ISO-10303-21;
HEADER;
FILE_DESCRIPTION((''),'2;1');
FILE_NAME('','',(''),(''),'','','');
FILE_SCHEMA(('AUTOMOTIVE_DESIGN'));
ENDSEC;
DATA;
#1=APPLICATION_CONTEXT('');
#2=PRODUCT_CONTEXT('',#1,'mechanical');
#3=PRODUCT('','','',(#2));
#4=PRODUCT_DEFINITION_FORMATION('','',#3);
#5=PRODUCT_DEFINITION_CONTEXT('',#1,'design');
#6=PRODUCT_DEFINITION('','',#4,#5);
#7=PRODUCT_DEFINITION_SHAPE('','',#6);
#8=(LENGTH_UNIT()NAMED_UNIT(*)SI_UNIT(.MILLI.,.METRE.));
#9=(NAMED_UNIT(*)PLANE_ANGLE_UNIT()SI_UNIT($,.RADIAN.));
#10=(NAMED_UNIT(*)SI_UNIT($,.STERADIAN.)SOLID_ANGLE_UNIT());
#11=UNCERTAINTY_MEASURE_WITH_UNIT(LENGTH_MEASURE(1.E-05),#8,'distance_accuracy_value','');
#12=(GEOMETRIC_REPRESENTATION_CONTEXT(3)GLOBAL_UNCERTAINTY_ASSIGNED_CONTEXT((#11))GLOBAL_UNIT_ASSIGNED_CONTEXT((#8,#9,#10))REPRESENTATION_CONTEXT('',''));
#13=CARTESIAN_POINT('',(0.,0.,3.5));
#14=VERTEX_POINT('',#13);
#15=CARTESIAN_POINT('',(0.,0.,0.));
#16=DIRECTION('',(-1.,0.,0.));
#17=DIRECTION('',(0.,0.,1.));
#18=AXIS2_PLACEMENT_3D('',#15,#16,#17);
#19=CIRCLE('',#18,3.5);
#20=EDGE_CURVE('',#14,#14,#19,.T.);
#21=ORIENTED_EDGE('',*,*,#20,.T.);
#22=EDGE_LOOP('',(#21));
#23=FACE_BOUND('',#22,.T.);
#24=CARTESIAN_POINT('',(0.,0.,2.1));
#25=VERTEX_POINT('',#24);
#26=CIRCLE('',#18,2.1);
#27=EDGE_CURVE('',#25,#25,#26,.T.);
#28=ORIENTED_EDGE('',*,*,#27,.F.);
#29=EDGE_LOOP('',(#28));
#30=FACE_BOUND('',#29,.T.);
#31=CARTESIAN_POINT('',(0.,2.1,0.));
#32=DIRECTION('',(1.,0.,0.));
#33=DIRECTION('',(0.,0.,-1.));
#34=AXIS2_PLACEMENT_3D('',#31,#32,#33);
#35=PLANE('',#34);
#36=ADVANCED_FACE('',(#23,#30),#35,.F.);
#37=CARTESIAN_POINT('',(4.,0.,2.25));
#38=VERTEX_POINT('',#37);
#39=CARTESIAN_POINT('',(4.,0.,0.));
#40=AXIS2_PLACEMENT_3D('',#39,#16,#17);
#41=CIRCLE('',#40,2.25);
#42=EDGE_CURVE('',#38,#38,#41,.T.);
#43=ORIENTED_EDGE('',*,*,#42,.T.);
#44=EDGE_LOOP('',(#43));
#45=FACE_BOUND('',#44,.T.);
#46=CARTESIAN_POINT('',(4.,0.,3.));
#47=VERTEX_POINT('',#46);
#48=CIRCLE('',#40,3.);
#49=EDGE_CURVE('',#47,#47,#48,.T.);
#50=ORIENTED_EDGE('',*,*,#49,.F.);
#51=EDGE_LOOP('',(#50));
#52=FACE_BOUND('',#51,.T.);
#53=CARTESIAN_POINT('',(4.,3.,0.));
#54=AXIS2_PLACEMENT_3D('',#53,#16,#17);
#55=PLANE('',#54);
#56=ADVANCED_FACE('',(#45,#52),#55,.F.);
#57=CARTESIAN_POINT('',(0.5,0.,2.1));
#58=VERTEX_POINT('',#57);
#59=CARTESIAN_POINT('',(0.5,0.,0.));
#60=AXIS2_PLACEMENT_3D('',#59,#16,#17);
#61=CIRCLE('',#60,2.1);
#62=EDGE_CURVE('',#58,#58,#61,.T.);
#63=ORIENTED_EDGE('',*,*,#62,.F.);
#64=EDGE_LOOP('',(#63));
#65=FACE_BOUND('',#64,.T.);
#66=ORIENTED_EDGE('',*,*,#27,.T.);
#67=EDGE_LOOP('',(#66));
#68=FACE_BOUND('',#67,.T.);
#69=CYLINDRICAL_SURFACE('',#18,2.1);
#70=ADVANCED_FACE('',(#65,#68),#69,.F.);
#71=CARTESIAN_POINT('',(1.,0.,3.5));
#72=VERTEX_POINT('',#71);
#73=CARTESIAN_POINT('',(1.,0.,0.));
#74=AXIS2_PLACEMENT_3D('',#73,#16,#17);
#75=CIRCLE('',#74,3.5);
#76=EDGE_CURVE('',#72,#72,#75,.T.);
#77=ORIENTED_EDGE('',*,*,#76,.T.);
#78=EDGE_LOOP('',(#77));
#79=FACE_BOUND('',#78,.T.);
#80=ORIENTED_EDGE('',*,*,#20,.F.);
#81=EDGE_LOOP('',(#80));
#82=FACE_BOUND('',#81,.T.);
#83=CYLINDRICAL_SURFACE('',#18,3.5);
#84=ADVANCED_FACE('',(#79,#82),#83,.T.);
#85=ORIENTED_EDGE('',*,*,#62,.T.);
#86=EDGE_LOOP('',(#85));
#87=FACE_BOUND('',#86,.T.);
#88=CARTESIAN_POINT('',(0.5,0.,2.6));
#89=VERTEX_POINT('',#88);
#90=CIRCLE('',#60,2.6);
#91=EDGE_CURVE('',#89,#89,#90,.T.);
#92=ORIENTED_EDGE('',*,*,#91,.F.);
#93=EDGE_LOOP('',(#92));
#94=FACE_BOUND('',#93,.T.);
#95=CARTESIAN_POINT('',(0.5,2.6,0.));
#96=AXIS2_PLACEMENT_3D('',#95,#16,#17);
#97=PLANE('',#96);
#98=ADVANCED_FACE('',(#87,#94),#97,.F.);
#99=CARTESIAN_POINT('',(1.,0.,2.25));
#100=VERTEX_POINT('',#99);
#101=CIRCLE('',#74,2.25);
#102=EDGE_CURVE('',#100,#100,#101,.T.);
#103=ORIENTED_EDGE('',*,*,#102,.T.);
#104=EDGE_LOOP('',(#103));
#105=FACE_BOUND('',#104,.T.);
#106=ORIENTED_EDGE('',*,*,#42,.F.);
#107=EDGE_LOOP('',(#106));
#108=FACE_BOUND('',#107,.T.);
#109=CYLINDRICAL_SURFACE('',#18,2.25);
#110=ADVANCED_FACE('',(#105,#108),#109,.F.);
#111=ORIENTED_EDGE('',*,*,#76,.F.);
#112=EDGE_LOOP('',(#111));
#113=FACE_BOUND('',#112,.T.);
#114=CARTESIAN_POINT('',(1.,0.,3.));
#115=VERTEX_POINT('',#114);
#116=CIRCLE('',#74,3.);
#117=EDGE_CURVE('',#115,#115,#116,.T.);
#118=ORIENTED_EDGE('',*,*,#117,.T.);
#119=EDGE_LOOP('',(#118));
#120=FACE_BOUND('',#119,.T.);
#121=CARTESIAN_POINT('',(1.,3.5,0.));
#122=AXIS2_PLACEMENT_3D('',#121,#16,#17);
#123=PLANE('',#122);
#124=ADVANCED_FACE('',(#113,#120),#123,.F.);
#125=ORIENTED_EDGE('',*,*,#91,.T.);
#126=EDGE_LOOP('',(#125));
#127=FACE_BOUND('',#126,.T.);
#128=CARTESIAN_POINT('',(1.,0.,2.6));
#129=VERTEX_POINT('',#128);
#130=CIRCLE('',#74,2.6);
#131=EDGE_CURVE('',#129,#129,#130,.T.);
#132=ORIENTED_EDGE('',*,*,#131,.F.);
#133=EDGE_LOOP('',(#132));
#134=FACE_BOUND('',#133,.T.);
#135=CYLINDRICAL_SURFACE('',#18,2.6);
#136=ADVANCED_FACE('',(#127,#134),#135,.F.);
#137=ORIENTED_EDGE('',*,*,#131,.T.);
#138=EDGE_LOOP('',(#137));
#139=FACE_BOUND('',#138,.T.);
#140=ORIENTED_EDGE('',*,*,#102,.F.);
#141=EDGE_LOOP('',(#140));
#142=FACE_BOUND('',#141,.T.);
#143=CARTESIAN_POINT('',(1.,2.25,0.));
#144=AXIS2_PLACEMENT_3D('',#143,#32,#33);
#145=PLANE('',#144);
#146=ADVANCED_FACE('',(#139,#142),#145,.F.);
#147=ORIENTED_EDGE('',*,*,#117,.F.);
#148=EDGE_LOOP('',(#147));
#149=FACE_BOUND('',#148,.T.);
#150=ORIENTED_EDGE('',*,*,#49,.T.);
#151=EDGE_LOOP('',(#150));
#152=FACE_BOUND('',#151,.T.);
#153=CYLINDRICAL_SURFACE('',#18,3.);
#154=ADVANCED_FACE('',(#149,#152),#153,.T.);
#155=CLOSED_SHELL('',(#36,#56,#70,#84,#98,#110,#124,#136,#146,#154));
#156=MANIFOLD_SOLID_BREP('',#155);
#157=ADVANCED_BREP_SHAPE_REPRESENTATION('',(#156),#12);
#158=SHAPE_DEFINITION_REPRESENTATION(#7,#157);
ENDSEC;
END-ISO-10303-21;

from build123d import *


with BuildPart() as part:
    # Sketch1 → Revolve1 (revolve)
    with BuildSketch(Plane.XY, mode=Mode.PRIVATE) as revolve1_sk:
        Polygon((0, 2.1), (0, 3.5), (1, 3.5), (1, 3), (4, 3), (4, 2.25), (1, 2.25), (1, 2.6), (0.5, 2.6), (0.5, 2.1), align=None)
    revolve(revolve1_sk.sketch.rotate(Axis((0, 0, 0), (1, 0, 0)), 90), axis=Axis((0, 0, 0), (1, 0, 0)))


solid = part.part
